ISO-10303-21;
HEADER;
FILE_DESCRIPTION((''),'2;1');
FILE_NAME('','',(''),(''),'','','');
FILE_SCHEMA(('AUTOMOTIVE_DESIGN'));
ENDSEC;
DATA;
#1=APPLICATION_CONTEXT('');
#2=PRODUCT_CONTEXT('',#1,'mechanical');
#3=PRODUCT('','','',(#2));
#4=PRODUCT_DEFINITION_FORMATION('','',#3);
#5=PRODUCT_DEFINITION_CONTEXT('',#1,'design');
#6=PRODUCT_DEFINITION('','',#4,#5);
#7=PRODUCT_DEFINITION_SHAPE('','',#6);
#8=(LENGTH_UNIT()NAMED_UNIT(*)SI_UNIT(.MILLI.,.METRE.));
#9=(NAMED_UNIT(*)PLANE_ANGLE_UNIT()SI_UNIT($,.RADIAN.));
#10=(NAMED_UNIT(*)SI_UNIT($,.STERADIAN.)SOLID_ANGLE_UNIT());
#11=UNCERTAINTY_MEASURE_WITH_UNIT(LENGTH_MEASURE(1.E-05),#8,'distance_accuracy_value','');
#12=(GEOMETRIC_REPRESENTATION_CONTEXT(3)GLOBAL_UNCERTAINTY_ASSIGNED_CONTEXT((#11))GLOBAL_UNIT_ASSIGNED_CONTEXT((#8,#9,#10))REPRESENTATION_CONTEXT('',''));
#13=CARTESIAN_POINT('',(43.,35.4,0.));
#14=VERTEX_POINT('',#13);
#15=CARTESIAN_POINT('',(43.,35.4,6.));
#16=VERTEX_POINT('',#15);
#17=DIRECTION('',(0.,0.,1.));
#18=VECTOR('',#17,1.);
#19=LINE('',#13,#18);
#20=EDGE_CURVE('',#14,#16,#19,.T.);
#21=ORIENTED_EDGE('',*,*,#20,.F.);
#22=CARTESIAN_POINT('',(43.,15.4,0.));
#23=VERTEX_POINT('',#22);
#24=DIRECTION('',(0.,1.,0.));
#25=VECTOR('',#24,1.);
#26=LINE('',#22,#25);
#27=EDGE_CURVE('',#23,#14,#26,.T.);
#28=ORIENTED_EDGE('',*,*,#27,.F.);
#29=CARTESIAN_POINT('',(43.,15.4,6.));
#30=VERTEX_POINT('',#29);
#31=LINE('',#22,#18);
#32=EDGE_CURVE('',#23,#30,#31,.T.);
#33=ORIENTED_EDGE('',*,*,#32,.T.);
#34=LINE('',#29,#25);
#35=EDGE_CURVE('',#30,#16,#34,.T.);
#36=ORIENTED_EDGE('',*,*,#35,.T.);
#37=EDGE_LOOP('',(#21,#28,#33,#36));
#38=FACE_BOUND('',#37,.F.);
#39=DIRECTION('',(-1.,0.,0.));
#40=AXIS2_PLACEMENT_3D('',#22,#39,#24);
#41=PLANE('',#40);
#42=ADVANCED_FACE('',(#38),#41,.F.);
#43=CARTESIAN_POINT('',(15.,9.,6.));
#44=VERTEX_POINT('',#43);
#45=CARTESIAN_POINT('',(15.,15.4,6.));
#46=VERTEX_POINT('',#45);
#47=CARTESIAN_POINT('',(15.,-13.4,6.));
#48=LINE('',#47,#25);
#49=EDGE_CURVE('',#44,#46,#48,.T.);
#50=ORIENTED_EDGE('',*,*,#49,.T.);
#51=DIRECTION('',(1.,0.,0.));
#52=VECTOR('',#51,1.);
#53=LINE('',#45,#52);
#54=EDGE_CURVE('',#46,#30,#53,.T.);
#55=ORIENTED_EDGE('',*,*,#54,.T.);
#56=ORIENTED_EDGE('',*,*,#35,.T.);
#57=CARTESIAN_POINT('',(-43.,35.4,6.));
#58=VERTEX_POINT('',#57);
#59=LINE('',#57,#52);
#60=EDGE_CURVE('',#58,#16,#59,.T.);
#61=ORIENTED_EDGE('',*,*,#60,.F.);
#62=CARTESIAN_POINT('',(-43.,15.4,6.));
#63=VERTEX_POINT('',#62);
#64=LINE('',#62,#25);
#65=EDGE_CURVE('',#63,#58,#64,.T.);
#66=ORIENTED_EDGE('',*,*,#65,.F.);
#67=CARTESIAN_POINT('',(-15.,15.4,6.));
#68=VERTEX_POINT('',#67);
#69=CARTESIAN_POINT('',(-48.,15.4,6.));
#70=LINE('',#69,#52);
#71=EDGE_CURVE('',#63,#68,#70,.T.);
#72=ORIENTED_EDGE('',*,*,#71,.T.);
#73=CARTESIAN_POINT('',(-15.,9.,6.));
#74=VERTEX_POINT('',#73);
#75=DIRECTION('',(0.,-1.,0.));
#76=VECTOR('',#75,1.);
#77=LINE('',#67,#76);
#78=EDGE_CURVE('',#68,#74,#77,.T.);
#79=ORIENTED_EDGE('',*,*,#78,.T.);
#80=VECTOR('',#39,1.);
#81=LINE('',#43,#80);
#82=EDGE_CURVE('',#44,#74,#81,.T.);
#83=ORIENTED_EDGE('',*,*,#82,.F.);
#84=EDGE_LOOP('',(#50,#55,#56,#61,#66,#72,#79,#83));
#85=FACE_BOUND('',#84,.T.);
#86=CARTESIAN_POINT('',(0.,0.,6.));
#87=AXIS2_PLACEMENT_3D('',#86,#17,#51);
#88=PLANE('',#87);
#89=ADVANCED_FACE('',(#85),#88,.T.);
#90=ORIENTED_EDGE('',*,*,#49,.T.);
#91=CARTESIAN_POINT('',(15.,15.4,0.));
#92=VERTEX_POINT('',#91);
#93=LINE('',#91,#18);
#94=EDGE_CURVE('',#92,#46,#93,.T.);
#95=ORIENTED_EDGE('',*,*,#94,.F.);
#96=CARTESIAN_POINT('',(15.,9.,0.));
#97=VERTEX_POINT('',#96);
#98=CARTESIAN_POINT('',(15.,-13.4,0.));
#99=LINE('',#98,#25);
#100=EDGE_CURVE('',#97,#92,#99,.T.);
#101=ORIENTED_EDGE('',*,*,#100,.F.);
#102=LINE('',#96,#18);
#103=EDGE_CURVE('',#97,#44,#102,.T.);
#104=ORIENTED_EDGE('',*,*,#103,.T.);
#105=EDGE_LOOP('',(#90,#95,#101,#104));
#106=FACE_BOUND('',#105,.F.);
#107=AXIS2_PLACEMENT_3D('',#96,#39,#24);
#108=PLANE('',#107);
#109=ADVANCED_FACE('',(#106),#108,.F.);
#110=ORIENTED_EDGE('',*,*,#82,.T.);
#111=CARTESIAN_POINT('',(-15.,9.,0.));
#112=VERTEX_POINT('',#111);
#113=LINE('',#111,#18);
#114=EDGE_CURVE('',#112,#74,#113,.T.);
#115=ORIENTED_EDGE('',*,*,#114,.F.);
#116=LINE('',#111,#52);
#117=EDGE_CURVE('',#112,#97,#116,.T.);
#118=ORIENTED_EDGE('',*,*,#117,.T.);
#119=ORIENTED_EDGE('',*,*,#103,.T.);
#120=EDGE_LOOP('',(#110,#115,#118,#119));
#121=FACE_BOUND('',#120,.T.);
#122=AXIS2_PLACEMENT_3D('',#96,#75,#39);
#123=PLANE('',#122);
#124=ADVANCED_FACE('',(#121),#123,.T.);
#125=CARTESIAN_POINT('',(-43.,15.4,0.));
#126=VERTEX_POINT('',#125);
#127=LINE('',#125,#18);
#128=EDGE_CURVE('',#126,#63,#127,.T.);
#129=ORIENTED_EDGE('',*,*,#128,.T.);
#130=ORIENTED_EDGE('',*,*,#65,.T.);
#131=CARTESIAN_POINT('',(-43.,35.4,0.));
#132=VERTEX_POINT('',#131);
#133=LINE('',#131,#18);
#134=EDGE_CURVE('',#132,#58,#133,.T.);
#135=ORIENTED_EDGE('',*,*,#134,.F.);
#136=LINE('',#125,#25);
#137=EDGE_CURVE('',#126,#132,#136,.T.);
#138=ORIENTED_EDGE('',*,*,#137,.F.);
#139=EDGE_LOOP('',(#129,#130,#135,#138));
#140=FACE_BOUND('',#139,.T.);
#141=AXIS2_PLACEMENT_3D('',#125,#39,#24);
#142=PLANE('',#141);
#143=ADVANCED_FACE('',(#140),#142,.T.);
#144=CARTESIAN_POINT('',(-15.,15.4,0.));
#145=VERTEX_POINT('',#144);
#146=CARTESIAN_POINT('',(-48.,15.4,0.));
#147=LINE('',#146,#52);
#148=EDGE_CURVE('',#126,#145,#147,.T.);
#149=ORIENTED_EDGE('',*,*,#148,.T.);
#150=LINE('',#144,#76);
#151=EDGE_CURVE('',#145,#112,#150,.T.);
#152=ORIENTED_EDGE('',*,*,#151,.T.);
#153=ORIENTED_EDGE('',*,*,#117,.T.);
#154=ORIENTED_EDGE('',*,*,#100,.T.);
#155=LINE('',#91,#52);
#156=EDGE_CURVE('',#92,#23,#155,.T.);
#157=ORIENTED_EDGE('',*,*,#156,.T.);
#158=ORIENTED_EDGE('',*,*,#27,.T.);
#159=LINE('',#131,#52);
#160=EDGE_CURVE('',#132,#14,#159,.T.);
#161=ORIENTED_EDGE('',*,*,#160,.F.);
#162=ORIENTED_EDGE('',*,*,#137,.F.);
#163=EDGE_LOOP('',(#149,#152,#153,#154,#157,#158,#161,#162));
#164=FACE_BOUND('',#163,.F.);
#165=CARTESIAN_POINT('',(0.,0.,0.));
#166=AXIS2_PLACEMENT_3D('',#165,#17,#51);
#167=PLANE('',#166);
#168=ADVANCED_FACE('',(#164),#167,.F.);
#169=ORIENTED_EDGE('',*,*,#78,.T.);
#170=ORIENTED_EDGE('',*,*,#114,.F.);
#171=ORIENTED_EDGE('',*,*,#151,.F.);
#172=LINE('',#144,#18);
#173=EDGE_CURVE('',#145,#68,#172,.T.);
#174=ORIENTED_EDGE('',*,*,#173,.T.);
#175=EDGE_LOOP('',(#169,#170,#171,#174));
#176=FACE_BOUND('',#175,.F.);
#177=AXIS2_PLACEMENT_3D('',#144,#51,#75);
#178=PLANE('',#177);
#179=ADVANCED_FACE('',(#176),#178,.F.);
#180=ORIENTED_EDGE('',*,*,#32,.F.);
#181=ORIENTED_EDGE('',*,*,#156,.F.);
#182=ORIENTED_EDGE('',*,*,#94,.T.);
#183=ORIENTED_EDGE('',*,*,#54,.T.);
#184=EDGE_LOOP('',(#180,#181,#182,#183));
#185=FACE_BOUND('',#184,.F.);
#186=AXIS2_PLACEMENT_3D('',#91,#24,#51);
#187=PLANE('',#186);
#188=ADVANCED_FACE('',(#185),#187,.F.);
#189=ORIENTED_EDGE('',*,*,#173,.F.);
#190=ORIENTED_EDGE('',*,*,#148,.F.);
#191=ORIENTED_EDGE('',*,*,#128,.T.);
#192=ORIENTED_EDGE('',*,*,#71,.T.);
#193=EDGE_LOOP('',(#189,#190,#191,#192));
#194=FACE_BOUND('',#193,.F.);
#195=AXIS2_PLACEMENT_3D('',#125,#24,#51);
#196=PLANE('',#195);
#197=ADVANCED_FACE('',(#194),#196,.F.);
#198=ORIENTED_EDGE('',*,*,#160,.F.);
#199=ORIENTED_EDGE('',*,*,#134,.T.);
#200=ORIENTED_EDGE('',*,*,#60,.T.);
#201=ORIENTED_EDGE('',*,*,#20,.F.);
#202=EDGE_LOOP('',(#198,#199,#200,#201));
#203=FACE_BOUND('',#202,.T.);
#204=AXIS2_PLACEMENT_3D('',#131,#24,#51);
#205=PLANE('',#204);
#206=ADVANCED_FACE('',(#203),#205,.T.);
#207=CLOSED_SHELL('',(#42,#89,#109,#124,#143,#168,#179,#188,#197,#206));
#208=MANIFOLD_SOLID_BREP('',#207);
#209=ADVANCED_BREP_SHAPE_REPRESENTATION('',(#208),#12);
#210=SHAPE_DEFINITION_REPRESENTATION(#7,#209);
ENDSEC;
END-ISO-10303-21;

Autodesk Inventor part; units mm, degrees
ref_plane "YZ Plane" through (0, 0, 0) normal (1, 0, 0) x (0, 1, 0)
ref_plane "XZ Plane" through (0, 0, 0) normal (0, 1, 0) x (-1, 0, 0)
ref_plane "XY Plane" through (0, 0, 0) normal (0, 0, 1) x (1, 0, 0)
sketch "Sketch1" plane through (0, 0, 0) normal (0, 0, 1) x (1, 0, 0)
  circle A0 centre (0, -3.2) radius 2.6186 projected
  line L0 (-15, 15.4) -> (-15, -13.4) projected
  arc A1 (-15, -13.4) -> (-13, -15.4) centre (-13, -13.4) ccw projected
  line L1 (-13, -15.4) -> (13, -15.4) projected
  arc A2 (13, -15.4) -> (15, -13.4) centre (13, -13.4) ccw projected
  line L2 (15, -13.4) -> (15, 15.4) projected
  line L3 (15, 15.4) -> (48, 15.4) projected
  line L4 (48, 15.4) -> (48, 80.7) projected
  line L5 (48, 80.7) -> (-48, 80.7) projected
  line L6 (-48, 80.7) -> (-48, 15.4) projected
  line L7 (-48, 15.4) -> (-15, 15.4) projected
  circle A3 centre (-7.5, 5.8) radius 1.75 projected
  circle A4 centre (7.5, 5.8) radius 1.75 projected
  circle A5 centre (-7.5, -12.2) radius 1.75 projected
  circle A6 centre (7.5, -12.2) radius 1.75 projected
  line L8 (-5.6525, 9) -> (5.6525, 9) projected
  circle A7 centre (0, -3.2) radius 2.6186 projected
  arc A8 (15, 7) -> (13, 9) centre (13, 7) ccw projected
  line L9 (9.3475, 9) -> (13, 9) projected
  line L10 (11.195, 5.8) -> (9.3475, 9) projected
  line L11 (9.3475, 2.6) -> (11.195, 5.8) projected
  line L12 (5.6525, 2.6) -> (9.3475, 2.6) projected
  line L13 (3.805, 5.8) -> (5.6525, 2.6) projected
  line L14 (5.6525, 9) -> (3.805, 5.8) projected
  line L15 (-5.6525, 9) -> (5.6525, 9) projected
  line L16 (-5.6525, 9) -> (-3.805, 5.8) projected
  line L17 (-3.805, 5.8) -> (-5.6525, 2.6) projected
  line L18 (-5.6525, 2.6) -> (-9.3475, 2.6) projected
  line L19 (-9.3475, 2.6) -> (-11.195, 5.8) projected
  line L20 (-11.195, 5.8) -> (-9.3475, 9) projected
  line L21 (-9.3475, 9) -> (-13, 9) projected
  arc A9 (-13, 9) -> (-15, 7) centre (-13, 7) ccw projected
  line L22 (-15, 7) -> (-15, -13.4) projected
  arc A10 (-15, -13.4) -> (-13, -15.4) centre (-13, -13.4) ccw projected
  line L23 (-13, -15.4) -> (-9.3475, -15.4) projected
  line L24 (-9.3475, -15.4) -> (-11.195, -12.2) projected
  line L25 (-11.195, -12.2) -> (-9.3475, -9) projected
  line L26 (-9.3475, -9) -> (-5.6525, -9) projected
  line L27 (-5.6525, -9) -> (-3.805, -12.2) projected
  line L28 (-3.805, -12.2) -> (-5.6525, -15.4) projected
  line L29 (-5.6525, -15.4) -> (5.6525, -15.4) projected
  line L30 (3.805, -12.2) -> (5.6525, -15.4) projected
  line L31 (5.6525, -9) -> (3.805, -12.2) projected
  line L32 (9.3475, -9) -> (5.6525, -9) projected
  line L33 (11.195, -12.2) -> (9.3475, -9) projected
  line L34 (9.3475, -15.4) -> (11.195, -12.2) projected
  line L35 (13, -15.4) -> (9.3475, -15.4) projected
  arc A11 (13, -15.4) -> (15, -13.4) centre (13, -13.4) ccw projected
  line L36 (15, 7) -> (15, -13.4) projected
  line L37 (5.6525, 9) -> (9.3475, 9) projected
  line L38 (-5.6525, 9) -> (-9.3475, 9) projected
  line L39 (48, 15.4) -> (43, 15.4)
  line L40 (43, 15.4) -> (43, 80.7)
  line L41 (43, 80.7) -> (48, 80.7)
  line L42 (48, 80.7) -> (48, 15.4)
  line L43 (-48, 15.4) -> (-43, 15.4)
  line L44 (-43, 15.4) -> (-43, 80.7)
  line L45 (-43, 80.7) -> (-48, 80.7)
  line L46 (-48, 80.7) -> (-48, 15.4)
  line L47 (43, 15.4) -> (-43, 15.4)
  line L48 (-43, 15.4) -> (-43, 35.4)
  line L49 (-43, 35.4) -> (43, 35.4)
  line L50 (43, 35.4) -> (43, 15.4)
  line L51 (15, 9) -> (-15, 9)
  point P0 (0, 0)
  point P1 (13, 9)
  point P2 (43, 35.4)
  dimension "d0" = 5
  dimension "d1" = 5
  dimension "d2" = 20
extrude "Extrusion1" add sketch "Sketch1" along normal blind 6 contours L47 L2 L51 L9 L37 L8 L38 L21 L0 | L7 L44 L49 L40 L3 L47
properties part number "lead_2" material "Lead"
